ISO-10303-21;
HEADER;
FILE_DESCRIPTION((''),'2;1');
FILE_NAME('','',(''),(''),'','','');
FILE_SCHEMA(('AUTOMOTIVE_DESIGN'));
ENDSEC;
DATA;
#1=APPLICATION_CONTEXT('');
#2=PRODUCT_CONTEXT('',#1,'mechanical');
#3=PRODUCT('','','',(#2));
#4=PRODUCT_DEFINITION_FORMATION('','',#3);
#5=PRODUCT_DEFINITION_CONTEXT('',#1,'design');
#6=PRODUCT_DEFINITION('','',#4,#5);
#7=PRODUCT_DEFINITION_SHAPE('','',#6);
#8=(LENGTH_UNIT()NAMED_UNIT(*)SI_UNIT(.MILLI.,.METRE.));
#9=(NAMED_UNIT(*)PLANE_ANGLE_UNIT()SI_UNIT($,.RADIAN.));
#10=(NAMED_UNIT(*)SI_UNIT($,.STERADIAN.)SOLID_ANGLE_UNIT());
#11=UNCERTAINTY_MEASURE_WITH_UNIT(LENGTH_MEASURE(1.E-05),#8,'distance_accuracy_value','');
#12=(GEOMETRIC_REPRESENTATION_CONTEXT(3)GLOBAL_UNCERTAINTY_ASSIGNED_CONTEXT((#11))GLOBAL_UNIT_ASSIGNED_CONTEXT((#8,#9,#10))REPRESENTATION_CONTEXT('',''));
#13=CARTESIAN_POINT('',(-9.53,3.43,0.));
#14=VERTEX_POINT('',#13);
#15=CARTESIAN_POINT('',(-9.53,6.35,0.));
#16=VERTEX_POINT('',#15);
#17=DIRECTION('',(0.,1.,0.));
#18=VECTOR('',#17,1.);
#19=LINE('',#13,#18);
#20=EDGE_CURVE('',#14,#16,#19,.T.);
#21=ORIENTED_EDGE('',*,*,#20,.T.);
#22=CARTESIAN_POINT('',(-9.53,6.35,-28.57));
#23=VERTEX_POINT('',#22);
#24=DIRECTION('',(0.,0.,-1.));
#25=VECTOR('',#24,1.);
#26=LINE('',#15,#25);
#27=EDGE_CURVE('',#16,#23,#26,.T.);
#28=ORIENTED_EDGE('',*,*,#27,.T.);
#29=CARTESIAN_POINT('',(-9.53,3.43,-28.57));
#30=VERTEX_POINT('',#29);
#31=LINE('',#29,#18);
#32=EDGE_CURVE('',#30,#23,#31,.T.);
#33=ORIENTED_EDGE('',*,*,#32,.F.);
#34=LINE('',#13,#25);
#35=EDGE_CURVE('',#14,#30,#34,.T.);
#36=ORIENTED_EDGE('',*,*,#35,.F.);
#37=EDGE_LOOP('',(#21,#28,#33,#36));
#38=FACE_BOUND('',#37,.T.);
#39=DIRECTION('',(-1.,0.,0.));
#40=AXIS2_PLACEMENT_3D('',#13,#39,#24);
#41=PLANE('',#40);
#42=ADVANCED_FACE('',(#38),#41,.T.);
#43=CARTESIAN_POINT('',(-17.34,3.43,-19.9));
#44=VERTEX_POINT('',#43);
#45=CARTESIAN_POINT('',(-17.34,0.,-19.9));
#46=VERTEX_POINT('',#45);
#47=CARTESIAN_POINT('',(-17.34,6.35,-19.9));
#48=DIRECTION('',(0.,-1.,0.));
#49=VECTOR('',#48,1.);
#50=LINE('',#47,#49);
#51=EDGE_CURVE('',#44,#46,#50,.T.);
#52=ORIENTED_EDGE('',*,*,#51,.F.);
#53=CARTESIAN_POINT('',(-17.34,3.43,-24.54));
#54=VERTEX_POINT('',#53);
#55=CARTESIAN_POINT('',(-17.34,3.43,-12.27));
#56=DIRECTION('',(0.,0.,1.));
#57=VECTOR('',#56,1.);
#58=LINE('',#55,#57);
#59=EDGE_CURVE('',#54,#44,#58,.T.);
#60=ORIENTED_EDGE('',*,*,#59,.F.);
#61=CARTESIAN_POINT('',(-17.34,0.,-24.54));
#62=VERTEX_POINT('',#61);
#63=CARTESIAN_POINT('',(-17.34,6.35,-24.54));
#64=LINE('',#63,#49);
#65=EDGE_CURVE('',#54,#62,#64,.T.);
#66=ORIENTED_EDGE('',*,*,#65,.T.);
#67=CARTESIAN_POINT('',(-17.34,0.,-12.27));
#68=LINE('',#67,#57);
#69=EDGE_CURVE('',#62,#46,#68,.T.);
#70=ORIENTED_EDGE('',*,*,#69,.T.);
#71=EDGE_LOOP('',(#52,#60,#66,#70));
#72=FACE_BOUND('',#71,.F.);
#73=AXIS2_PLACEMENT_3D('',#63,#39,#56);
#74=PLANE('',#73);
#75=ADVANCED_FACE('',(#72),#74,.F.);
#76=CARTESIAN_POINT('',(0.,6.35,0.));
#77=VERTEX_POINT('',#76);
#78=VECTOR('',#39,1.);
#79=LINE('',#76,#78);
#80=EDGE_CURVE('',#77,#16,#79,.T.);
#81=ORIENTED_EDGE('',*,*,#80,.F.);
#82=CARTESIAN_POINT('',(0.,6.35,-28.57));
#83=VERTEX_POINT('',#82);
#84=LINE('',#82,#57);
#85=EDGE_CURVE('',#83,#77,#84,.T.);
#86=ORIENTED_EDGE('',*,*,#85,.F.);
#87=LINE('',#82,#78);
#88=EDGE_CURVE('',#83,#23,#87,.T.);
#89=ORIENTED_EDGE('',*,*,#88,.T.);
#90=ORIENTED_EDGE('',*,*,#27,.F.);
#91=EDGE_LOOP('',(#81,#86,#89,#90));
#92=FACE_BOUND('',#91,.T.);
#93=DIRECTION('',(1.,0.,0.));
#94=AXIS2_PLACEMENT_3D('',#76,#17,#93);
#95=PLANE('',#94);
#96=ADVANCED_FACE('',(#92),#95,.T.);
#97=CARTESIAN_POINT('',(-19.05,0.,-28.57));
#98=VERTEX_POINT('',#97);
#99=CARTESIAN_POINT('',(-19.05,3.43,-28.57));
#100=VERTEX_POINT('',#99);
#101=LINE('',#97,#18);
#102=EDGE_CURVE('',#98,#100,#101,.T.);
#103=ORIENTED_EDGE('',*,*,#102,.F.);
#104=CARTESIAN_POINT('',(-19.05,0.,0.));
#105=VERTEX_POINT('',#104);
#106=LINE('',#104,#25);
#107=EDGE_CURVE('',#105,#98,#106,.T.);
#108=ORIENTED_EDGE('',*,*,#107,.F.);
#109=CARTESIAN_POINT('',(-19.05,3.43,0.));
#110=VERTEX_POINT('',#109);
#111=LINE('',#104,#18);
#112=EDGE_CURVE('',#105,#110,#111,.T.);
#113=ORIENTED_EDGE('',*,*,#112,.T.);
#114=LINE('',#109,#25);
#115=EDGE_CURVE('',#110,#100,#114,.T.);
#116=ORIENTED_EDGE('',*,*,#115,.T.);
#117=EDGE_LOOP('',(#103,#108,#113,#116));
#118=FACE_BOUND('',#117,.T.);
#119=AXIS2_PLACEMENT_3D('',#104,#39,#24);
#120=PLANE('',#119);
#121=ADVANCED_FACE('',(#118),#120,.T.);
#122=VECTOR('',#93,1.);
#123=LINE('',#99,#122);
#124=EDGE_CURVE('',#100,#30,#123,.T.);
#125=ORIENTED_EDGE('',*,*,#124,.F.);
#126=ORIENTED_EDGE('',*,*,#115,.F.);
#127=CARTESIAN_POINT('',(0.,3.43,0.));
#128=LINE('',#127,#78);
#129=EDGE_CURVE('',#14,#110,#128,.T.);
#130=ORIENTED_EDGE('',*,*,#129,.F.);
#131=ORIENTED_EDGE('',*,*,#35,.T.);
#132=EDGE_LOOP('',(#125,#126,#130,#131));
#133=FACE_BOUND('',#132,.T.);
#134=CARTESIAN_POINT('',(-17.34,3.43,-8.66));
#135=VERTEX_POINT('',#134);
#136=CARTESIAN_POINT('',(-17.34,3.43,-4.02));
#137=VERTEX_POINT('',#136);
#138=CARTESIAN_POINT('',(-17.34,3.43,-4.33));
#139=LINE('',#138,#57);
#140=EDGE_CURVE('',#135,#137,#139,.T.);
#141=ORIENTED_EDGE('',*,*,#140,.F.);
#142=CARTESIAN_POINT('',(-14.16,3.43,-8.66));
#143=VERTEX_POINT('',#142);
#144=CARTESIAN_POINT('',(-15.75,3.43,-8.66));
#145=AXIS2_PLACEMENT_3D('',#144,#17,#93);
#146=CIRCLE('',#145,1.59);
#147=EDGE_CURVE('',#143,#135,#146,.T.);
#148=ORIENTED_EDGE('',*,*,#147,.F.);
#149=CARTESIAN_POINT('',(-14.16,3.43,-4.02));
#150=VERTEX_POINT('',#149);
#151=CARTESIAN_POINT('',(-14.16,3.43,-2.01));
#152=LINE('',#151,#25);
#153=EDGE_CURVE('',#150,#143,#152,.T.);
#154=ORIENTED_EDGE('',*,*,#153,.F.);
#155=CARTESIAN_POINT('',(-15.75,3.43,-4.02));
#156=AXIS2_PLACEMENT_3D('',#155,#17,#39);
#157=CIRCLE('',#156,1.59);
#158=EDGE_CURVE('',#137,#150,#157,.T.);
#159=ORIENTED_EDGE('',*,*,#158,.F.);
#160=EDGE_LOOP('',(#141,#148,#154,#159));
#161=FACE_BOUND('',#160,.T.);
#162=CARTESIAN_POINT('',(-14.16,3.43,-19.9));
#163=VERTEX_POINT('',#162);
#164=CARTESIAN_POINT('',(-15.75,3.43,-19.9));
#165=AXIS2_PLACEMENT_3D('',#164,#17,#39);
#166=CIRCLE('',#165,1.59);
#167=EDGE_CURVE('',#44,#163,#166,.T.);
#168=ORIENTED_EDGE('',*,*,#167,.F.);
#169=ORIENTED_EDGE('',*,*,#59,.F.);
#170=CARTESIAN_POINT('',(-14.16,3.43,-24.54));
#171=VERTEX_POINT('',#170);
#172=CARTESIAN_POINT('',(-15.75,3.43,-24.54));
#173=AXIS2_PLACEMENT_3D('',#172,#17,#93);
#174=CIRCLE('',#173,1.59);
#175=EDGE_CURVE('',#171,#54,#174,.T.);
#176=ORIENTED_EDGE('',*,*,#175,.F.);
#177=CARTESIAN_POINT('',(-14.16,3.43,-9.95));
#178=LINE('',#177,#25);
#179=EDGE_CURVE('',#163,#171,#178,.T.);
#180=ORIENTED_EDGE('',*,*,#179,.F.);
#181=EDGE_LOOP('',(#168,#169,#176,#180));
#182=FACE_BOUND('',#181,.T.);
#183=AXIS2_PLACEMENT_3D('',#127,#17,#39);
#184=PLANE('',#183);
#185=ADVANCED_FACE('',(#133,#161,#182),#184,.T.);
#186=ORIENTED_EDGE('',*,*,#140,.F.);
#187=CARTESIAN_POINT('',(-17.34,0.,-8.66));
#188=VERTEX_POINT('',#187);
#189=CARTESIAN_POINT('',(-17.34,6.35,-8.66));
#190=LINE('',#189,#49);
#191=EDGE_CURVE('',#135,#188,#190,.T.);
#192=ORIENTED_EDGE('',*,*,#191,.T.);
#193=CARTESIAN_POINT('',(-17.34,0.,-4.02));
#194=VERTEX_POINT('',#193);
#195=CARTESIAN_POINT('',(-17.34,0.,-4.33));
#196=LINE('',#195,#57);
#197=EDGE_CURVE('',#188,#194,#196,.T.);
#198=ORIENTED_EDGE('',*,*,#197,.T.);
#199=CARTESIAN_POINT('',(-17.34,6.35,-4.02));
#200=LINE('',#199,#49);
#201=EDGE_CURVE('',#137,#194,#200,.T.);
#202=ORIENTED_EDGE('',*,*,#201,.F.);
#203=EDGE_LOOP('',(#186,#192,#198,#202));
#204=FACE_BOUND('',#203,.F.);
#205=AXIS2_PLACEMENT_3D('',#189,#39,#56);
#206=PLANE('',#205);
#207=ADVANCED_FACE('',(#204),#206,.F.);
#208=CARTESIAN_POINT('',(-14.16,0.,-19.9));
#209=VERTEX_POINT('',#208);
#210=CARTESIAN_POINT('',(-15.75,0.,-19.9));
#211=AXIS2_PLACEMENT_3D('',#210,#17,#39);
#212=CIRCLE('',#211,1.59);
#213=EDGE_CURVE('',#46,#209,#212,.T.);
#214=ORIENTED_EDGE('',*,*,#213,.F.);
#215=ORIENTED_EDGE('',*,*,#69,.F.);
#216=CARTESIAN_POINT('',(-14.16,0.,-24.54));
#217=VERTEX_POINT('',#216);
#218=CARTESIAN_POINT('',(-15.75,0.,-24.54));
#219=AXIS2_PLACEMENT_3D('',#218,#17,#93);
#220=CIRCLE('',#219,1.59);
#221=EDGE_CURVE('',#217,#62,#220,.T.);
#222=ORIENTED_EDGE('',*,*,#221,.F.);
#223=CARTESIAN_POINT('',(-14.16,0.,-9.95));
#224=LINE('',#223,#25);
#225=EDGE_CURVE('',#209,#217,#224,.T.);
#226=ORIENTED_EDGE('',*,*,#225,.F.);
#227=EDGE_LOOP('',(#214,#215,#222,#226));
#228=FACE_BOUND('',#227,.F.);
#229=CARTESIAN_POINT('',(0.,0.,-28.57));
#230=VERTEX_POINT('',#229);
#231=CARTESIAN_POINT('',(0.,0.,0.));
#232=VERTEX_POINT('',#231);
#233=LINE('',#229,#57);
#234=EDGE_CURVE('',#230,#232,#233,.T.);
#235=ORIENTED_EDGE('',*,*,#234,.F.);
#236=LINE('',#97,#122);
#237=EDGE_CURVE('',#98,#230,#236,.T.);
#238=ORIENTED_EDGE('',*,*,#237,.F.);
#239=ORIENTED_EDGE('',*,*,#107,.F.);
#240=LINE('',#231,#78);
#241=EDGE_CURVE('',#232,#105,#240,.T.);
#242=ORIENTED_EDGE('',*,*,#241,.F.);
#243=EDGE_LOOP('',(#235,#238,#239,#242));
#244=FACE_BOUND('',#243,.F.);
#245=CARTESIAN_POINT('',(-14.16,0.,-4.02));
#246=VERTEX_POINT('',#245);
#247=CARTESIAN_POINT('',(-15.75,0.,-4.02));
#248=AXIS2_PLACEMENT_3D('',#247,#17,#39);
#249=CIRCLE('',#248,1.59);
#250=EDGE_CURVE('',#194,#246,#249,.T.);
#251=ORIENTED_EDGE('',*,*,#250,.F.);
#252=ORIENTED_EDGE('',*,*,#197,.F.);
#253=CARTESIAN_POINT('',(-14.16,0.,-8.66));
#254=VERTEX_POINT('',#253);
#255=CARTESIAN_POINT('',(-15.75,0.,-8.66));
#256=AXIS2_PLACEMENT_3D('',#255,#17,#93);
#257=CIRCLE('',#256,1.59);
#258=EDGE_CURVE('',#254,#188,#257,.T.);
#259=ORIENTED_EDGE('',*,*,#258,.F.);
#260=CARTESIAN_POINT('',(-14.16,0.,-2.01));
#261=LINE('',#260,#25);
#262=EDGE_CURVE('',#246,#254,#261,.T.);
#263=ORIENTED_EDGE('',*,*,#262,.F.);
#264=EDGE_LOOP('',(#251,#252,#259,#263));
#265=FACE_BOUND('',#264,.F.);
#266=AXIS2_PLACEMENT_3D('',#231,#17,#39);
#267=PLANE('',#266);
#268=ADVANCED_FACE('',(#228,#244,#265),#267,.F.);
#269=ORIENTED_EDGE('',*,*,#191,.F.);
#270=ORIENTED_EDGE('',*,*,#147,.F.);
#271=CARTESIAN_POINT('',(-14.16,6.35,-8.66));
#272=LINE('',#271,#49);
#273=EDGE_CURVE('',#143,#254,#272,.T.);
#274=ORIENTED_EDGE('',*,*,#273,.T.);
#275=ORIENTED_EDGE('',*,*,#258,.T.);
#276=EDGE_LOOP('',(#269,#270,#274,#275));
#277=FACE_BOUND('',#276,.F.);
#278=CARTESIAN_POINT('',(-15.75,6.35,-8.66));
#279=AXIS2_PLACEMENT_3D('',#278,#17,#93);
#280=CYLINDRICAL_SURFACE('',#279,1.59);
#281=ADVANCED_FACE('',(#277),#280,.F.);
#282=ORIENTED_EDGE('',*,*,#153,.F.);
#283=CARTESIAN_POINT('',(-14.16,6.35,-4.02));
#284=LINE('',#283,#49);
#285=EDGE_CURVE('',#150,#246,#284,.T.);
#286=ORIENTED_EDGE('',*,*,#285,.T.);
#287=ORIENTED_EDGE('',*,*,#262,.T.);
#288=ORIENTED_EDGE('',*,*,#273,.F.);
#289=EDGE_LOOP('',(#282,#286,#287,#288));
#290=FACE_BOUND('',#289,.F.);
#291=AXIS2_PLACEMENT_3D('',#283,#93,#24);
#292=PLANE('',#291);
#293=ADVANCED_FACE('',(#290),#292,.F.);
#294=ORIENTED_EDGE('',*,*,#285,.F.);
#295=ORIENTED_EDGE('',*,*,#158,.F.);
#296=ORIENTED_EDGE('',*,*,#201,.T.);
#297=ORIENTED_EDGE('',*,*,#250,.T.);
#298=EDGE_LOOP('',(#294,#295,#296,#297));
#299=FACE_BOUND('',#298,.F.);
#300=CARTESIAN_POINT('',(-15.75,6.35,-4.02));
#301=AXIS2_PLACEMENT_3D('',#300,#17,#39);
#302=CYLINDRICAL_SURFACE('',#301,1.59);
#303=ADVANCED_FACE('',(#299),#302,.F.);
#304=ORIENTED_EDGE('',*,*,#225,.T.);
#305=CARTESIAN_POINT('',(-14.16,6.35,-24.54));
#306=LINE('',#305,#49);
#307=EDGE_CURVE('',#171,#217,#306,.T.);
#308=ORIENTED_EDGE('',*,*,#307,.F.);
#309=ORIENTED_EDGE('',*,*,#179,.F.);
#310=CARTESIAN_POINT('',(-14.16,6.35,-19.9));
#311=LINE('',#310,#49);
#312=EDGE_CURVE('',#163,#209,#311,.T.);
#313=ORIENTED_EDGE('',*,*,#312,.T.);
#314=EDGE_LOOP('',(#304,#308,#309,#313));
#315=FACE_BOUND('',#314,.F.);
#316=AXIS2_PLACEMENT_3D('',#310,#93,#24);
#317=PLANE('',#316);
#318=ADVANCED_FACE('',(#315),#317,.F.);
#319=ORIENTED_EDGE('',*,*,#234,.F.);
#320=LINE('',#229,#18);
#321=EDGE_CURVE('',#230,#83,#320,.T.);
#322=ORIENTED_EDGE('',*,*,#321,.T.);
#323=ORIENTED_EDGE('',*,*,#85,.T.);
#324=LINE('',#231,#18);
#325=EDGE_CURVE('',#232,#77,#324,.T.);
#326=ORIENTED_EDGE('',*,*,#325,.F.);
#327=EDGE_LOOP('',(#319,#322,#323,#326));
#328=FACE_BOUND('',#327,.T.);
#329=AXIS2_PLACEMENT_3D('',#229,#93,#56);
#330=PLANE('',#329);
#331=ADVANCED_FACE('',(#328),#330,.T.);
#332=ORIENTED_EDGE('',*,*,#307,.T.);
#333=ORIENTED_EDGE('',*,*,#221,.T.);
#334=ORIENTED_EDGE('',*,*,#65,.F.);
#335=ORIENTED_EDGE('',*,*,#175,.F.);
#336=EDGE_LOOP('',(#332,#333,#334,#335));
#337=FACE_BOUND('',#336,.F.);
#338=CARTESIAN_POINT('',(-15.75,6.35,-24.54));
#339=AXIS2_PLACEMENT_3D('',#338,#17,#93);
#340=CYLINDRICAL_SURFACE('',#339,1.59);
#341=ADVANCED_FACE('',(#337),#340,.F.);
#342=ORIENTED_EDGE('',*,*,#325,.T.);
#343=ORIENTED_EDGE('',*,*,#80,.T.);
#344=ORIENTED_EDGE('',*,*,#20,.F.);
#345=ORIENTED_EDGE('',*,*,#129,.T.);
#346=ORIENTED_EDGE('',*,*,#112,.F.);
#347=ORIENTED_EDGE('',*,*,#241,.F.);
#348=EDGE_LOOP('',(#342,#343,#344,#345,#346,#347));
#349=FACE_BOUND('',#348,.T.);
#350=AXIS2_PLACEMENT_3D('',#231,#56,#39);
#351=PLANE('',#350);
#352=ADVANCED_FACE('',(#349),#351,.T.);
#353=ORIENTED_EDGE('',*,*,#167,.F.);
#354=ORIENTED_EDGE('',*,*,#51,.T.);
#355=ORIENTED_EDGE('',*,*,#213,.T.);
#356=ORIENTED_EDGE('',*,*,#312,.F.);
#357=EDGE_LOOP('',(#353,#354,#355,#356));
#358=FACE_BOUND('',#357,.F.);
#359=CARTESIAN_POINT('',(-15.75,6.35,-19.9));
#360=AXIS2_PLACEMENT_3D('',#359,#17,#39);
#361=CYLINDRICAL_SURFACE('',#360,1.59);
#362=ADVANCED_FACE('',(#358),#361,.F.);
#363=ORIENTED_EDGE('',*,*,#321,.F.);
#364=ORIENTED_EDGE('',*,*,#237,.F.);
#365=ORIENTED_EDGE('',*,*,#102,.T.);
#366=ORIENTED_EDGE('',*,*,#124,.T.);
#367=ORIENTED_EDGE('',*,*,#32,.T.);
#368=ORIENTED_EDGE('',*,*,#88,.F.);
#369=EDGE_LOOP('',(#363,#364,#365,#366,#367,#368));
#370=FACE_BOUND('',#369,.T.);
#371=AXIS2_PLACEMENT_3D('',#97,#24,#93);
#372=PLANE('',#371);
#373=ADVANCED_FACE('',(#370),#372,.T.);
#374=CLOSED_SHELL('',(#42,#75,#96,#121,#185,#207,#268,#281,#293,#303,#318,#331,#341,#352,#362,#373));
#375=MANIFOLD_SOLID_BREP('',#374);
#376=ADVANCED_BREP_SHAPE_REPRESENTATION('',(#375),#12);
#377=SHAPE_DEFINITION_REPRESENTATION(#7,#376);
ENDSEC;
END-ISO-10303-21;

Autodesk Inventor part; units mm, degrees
ref_plane "YZ Plane" through (0, 0, 0) normal (1, 0, 0) x (0, 1, 0)
ref_plane "XZ Plane" through (0, 0, 0) normal (0, 1, 0) x (-1, 0, 0)
ref_plane "XY Plane" through (0, 0, 0) normal (0, 0, 1) x (1, 0, 0)
sketch "Sketch1" plane through (0, 0, 0) normal (0, 1, 0) x (-1, 0, 0)
  line L0 (0, 0) -> (19.05, 0)
  line L1 (19.05, 0) -> (19.05, -28.57)
  line L2 (19.05, -28.57) -> (0, -28.57)
  line L3 (0, -28.57) -> (0, 0)
  dimension "d0" = 19.05
  dimension "d1" = 28.57
extrude "Extrusion1" add sketch "Sketch1" along normal blind 3.43
sketch "Sketch2" plane through (0, 3.43, 0) normal (0, 1, 0) x (1, 0, 0)
  line L0 (0, 28.57) -> (-19.05, 28.57) projected
  line L1 (0, 0) -> (-9.53, 0)
  line L2 (-9.53, 0) -> (-9.53, 28.57)
  line L3 (-9.53, 28.57) -> (0, 28.57)
  line L4 (0, 28.57) -> (0, 0)
  dimension "d4" = 9.53
extrude "Extrusion2" add sketch "Sketch2" along normal blind 2.92
sketch "Sketch3" plane through (0, 6.35, 0) normal (0, 1, 0) x (1, 0, 0)
  line L0 (-15.75, 4.02) -> (-15.75, 8.66) construction
  line L1 (-14.16, 4.02) -> (-14.16, 8.66)
  line L2 (-17.34, 8.66) -> (-17.34, 4.02)
  arc A0 (-17.34, 4.02) -> (-14.16, 4.02) centre (-15.75, 4.02) ccw
  arc A1 (-14.16, 8.66) -> (-17.34, 8.66) centre (-15.75, 8.66) ccw
  line L3 (-19.05, 28.57) -> (-19.05, 0) projected
  line L4 (-15.75, 19.9) -> (-15.75, 24.54) construction
  line L5 (-14.16, 19.9) -> (-14.16, 24.54)
  line L6 (-17.34, 24.54) -> (-17.34, 19.9)
  arc A2 (-17.34, 19.9) -> (-14.16, 19.9) centre (-15.75, 19.9) ccw
  arc A3 (-14.16, 24.54) -> (-17.34, 24.54) centre (-15.75, 24.54) ccw
  line L7 (0, 28.57) -> (-9.53, 28.57) projected
  point P0 (0, 0)
  point P1 (-15.75, 6.34)
  point P2 (-15.75, 22.22)
  dimension "d7" = 4.64
  dimension "d8" = 3.18
  dimension "d9" = 3.3
  dimension "d10" = 4.64
  dimension "d11" = 3.18
  dimension "d12" = 15.88
  dimension "d13" = 6.35
  dimension "d16" = 3.3
extrude "Extrusion3" cut sketch "Sketch3" against normal through all
properties part number "59145_Actuator"
